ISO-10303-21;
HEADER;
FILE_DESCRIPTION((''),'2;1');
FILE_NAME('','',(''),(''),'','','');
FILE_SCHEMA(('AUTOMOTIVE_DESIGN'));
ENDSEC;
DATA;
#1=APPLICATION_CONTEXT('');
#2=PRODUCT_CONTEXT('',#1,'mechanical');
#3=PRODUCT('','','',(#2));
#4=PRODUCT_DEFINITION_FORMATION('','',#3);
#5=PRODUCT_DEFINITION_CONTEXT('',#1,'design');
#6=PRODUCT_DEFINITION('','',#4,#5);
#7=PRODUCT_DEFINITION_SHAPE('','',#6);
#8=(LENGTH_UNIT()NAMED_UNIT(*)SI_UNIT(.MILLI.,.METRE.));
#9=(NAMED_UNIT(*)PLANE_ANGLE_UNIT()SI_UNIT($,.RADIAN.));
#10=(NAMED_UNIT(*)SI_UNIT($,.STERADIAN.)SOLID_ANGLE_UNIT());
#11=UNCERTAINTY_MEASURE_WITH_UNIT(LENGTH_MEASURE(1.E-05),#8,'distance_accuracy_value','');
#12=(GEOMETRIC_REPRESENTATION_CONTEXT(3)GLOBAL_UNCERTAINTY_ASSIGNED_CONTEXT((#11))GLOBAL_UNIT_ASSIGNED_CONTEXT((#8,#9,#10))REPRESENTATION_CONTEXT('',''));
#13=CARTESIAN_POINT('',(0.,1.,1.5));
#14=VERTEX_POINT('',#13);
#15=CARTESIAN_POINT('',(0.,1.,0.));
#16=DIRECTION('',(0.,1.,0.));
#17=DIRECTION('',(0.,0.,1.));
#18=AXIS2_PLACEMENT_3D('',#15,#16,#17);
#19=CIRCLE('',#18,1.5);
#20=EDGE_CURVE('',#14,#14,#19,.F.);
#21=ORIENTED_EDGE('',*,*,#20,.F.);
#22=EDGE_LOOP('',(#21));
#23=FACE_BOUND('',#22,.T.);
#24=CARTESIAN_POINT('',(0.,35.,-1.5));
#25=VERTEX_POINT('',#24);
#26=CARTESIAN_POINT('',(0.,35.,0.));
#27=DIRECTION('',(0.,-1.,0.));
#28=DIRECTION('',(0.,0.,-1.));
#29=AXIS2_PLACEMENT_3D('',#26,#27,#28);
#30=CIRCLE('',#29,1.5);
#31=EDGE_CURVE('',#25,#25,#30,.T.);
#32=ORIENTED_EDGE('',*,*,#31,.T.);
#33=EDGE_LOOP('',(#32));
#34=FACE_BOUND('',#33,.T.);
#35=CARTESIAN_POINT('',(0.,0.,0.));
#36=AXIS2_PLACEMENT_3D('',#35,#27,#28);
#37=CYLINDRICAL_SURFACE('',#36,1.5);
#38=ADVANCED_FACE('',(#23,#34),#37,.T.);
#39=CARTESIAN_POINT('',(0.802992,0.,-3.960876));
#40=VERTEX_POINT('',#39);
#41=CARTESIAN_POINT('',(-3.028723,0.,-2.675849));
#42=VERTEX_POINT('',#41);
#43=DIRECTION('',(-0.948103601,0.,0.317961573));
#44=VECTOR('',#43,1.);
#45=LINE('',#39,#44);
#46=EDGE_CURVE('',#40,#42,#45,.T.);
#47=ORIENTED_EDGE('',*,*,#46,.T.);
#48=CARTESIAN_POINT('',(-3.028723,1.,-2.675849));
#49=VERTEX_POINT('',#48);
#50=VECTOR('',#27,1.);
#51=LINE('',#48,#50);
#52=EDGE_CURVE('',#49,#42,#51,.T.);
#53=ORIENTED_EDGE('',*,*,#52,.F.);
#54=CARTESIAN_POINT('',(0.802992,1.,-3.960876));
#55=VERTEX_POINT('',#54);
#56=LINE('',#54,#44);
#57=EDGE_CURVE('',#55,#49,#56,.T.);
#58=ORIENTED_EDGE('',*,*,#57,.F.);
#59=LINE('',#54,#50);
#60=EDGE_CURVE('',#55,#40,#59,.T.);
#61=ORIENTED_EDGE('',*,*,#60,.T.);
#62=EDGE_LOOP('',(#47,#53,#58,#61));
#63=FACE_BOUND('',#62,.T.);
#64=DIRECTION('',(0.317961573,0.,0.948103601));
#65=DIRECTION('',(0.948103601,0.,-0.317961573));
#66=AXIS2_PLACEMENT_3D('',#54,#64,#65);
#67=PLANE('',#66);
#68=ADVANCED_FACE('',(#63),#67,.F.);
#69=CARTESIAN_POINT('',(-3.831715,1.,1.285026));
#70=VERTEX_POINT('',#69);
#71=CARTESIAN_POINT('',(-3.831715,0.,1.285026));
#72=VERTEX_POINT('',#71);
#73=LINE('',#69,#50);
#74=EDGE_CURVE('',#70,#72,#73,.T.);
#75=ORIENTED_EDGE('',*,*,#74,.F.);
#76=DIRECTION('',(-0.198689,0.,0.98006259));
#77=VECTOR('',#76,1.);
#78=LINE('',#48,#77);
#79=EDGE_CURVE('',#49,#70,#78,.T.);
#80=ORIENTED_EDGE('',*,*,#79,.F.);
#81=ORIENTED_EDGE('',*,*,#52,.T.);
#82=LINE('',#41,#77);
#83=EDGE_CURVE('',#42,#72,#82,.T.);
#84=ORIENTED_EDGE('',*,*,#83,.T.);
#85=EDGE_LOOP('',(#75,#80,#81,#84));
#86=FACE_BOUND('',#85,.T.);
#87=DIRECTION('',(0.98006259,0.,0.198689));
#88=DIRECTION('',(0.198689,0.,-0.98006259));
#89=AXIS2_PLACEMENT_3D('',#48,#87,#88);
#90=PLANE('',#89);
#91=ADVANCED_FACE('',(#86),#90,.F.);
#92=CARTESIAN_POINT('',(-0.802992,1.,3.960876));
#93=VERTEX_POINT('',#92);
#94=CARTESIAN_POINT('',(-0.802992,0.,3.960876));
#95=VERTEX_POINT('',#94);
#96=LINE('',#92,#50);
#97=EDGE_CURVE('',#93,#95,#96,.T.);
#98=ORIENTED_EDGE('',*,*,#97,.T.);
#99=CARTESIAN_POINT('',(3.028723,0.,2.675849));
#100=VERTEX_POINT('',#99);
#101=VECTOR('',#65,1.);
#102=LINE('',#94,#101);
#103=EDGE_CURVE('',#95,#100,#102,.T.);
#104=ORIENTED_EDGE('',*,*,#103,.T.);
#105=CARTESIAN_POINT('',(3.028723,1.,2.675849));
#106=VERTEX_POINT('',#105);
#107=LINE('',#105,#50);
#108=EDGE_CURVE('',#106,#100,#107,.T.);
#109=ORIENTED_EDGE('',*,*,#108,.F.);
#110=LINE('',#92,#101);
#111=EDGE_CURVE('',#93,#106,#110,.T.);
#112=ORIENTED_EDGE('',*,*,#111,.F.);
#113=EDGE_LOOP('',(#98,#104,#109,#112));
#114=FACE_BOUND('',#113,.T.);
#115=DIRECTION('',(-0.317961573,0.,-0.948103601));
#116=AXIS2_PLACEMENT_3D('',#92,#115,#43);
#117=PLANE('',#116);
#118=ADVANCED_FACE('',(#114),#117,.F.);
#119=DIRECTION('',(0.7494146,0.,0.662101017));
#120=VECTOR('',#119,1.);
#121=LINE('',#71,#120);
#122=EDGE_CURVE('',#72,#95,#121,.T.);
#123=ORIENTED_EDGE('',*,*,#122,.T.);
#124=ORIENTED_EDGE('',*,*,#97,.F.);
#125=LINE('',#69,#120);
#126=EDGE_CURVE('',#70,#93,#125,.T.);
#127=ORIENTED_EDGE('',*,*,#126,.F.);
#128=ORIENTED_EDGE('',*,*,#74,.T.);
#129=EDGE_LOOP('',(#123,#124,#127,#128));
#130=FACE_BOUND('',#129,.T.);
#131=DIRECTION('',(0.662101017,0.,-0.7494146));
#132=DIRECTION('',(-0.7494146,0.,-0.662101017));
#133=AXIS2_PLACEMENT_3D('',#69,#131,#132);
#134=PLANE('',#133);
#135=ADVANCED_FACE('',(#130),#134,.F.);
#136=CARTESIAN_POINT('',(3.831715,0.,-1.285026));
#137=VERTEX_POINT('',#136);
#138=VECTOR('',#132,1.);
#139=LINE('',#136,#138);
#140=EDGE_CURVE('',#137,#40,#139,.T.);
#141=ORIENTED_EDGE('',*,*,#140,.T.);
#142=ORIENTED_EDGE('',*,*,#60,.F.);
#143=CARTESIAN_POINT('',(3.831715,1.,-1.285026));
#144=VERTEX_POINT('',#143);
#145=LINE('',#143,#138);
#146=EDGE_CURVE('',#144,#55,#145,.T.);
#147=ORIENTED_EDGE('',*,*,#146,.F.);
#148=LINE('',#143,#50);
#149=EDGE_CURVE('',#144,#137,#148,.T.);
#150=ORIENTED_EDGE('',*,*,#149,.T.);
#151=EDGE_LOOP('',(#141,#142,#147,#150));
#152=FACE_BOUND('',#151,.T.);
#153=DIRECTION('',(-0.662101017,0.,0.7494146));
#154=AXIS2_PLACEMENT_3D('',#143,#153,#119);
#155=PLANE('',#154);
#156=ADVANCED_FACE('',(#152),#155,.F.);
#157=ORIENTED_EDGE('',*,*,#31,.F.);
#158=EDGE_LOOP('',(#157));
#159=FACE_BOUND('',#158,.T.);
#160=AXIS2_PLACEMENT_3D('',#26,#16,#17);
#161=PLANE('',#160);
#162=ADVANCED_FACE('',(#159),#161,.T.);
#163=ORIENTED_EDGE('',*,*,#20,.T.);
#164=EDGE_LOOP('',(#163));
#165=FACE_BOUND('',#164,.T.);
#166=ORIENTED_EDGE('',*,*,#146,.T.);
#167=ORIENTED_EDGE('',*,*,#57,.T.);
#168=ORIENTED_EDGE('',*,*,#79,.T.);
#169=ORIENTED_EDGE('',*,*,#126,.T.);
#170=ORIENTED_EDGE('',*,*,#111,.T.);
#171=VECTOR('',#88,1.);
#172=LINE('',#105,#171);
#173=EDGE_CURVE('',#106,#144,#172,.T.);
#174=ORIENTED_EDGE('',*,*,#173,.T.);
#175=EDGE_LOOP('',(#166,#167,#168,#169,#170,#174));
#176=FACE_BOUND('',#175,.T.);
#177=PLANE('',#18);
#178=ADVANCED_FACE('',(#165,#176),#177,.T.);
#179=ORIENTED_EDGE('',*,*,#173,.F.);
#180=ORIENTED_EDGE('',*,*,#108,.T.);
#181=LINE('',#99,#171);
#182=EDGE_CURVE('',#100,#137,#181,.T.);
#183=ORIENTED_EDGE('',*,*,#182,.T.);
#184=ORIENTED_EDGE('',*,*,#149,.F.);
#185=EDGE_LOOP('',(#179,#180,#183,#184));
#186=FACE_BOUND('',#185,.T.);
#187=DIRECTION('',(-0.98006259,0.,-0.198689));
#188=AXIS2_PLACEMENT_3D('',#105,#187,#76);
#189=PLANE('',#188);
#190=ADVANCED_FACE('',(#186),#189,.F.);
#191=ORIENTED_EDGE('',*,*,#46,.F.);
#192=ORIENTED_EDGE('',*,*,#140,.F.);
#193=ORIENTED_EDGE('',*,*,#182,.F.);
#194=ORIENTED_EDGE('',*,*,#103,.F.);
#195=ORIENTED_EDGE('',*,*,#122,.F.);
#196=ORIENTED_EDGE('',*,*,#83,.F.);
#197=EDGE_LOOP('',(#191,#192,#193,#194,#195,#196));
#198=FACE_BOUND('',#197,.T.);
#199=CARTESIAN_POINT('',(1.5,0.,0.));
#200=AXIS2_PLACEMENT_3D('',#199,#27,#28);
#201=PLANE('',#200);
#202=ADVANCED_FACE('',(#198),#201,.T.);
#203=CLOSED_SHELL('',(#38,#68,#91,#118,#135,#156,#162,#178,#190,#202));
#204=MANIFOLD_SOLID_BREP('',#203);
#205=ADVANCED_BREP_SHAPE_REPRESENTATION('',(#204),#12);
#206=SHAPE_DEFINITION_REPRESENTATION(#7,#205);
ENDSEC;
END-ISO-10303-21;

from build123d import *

# Parameters (mm, degrees)
SKETCH1_W           = 1.5
SKETCH1_H           = 35
BOSS_EXTRUDE1_DEPTH = 1


with BuildPart() as part:
    # Sketch1 → Revolve1 (revolve)
    with BuildSketch(Plane.XY, mode=Mode.PRIVATE) as revolve1_sk:
        with Locations((0.75, 17.5)):
            Rectangle(SKETCH1_W, SKETCH1_H)
    revolve(revolve1_sk.sketch.rotate(Axis((0, 0, 0), (0, 1, 0)), 90), axis=Axis((0, 0, 0), (0, 1, 0)))

    # Sketch2 → Boss-Extrude1 (add)
    with BuildSketch(Plane(origin=(0, 0, 0), x_dir=(1, 0, 0), z_dir=(0, 1, 0))):
        Polygon((3.831715084, 1.2850264), (0.802992035, 3.960875803), (-3.028723049, 2.675849403), (-3.831715084, -1.2850264), (-0.802992035, -3.960875803), (3.028723049, -2.675849403), align=None)
    extrude(amount=BOSS_EXTRUDE1_DEPTH)


solid = part.part
